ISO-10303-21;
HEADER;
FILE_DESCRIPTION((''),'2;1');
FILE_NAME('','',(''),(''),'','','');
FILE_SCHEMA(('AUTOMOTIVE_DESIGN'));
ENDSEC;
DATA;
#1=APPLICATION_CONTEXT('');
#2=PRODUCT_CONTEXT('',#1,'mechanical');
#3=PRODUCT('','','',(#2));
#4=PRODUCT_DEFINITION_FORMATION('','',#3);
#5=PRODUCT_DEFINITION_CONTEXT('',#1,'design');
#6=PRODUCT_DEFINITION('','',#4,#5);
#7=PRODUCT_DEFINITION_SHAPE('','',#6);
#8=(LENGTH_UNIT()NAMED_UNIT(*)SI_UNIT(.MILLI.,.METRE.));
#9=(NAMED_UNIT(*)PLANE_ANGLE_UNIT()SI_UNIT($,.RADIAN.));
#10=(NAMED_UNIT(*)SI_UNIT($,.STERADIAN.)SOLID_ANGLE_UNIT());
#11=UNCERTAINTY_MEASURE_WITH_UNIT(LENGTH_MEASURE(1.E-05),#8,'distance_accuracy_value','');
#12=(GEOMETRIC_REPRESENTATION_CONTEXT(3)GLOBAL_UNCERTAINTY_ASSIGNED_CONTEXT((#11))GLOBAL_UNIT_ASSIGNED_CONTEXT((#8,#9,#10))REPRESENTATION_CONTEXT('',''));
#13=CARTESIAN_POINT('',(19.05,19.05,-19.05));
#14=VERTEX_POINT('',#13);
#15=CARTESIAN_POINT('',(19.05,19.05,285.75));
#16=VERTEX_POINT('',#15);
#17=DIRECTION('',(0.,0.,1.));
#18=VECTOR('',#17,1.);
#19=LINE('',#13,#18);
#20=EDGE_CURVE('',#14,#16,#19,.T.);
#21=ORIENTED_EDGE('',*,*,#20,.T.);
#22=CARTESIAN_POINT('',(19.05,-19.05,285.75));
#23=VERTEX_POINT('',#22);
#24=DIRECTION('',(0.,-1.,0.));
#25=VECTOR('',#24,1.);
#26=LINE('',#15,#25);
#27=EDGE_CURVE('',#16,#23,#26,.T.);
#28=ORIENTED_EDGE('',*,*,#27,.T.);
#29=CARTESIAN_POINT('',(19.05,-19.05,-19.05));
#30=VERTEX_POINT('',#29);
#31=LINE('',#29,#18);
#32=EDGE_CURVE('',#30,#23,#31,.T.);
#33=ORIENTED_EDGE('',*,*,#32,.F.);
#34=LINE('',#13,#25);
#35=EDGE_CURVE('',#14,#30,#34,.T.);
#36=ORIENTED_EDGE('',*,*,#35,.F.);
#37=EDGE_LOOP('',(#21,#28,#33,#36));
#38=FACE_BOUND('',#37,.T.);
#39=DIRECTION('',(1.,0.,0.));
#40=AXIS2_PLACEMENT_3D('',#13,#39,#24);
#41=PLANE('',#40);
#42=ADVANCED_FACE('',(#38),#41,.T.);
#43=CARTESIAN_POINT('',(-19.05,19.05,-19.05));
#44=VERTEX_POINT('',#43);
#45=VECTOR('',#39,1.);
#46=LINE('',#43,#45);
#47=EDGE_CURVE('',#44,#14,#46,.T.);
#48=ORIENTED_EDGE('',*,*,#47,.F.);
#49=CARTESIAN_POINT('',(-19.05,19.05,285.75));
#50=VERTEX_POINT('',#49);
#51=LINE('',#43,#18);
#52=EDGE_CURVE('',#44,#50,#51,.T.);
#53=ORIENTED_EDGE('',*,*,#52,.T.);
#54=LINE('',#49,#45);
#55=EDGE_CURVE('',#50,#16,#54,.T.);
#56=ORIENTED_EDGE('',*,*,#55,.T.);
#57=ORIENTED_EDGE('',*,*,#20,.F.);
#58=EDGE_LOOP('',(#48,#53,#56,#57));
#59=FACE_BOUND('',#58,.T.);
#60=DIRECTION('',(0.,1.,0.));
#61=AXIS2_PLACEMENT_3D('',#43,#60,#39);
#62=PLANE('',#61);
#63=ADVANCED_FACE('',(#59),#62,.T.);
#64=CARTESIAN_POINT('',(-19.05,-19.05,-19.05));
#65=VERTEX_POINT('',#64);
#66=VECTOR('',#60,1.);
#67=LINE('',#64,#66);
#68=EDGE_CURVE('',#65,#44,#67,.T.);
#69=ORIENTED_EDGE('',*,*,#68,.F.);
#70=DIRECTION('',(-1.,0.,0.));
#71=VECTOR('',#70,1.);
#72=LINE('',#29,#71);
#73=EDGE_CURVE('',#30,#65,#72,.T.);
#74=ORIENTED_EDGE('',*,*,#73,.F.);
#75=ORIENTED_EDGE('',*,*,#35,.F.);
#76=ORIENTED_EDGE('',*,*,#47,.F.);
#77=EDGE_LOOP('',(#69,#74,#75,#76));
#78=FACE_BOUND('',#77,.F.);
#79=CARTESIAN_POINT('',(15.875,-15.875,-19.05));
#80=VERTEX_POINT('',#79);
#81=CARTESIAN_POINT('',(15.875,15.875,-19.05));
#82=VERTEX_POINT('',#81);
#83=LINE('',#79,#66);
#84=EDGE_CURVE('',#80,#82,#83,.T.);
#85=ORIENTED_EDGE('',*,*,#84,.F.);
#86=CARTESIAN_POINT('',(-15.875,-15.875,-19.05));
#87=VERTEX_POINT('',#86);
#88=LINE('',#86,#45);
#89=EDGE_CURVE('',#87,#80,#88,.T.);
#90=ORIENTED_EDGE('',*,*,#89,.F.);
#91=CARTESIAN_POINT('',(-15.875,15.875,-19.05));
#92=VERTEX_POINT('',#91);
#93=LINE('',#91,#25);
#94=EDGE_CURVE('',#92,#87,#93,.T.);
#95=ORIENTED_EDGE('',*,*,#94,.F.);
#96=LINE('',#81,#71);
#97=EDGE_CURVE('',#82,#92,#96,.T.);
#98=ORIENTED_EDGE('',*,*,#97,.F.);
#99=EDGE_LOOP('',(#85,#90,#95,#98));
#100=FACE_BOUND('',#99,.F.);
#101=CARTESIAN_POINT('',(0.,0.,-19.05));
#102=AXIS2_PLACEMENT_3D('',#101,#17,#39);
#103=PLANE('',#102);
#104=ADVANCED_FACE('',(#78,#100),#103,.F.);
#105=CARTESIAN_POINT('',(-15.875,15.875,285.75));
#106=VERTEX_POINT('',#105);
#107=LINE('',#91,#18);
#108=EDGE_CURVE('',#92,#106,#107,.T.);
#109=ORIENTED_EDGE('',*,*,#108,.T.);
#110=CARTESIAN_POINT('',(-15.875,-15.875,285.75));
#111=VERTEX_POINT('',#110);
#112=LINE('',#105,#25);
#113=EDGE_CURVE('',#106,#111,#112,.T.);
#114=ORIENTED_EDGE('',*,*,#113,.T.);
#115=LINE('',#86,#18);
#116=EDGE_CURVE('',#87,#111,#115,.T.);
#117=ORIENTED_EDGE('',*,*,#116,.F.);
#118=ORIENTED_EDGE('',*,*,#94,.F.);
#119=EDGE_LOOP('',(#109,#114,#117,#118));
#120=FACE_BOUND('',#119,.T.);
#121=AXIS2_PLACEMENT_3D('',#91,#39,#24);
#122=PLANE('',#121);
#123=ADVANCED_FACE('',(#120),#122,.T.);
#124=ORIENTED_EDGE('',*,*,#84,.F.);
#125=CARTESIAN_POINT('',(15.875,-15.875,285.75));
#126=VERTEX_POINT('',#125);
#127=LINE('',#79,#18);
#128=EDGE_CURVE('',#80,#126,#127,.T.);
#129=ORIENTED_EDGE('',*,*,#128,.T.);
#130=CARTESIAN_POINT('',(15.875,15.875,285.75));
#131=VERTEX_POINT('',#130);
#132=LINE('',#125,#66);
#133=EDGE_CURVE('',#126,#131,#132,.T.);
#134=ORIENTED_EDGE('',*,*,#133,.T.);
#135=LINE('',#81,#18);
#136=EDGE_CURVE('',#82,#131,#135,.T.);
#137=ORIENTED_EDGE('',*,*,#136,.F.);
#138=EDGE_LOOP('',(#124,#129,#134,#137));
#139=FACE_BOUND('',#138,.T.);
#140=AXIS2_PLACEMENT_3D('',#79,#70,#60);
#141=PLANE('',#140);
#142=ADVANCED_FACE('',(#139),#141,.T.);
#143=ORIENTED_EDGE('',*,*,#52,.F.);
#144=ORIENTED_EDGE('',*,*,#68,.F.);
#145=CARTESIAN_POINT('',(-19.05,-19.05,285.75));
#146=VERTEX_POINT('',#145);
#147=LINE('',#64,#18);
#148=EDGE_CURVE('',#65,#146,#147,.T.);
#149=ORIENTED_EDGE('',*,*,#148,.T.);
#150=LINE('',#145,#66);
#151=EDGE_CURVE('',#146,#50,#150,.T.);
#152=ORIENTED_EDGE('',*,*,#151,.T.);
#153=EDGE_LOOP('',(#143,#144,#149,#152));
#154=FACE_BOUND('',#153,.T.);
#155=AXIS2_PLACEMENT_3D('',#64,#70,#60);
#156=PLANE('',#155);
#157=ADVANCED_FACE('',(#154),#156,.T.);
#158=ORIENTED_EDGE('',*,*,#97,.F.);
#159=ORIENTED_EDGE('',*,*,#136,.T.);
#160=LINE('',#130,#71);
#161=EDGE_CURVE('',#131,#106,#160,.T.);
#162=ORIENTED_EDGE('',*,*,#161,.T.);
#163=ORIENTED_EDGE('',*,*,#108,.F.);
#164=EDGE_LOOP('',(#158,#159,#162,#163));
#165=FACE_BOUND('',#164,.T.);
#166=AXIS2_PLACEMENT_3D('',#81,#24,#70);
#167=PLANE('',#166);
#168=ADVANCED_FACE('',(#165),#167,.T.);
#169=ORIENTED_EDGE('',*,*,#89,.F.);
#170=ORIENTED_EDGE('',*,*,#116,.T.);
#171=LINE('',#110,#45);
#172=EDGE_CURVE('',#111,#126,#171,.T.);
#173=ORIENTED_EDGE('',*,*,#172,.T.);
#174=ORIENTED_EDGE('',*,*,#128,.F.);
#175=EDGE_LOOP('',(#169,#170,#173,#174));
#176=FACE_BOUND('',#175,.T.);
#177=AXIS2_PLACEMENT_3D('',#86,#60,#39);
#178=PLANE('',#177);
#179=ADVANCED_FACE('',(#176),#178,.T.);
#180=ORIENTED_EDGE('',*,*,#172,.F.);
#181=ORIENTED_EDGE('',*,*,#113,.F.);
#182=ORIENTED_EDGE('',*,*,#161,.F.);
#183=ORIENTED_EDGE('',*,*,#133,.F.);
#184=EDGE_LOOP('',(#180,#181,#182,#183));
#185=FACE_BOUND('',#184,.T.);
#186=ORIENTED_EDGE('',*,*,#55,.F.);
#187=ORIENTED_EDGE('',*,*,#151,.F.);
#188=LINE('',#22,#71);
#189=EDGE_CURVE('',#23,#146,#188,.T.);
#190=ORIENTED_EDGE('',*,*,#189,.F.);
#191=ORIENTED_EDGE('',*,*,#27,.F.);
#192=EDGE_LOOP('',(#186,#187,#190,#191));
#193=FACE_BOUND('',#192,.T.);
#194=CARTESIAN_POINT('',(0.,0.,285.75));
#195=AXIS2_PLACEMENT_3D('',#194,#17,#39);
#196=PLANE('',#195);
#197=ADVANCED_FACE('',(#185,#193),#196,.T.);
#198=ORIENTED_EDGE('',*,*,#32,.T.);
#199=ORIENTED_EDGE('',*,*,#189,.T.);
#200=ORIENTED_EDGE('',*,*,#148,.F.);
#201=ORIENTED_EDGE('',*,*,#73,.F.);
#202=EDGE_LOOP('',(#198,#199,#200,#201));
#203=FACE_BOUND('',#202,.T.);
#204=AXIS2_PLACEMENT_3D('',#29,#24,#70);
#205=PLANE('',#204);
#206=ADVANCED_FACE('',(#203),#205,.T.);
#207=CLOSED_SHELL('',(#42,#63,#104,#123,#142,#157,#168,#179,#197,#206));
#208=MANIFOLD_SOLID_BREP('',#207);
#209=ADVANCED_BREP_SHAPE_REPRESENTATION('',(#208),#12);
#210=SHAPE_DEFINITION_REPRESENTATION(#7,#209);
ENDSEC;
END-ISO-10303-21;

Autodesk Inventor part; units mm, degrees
ref_plane "Start Plane" through (0, 0, -19.05) normal (0, 0, 1) x (1, 0, 0)
ref_plane "End Plane" through (0, 0, 285.75) normal (0, 0, 1) x (1, 0, 0)
sketch "Sketch" plane through (0, 0, 0) normal (0, 0, 1) x (1, 0, 0)
  line L0 (-19.05, 19.05) -> (19.05, 19.05)
  line L1 (19.05, 19.05) -> (19.05, -19.05)
  line L2 (19.05, -19.05) -> (-19.05, -19.05)
  line L3 (-19.05, -19.05) -> (-19.05, 19.05)
  line L4 (15.875, 15.875) -> (-15.875, 15.875)
  line L5 (-15.875, 15.875) -> (-15.875, -15.875)
  line L6 (-15.875, -15.875) -> (15.875, -15.875)
  line L7 (15.875, -15.875) -> (15.875, 15.875)
  point P0 (0, 0)
  point P1 (0, 19.05)
  point P2 (-19.05, 0)
  dimension "width" = 38.1
  dimension "d1" = 3.175
extrude "Body" add sketch "Sketch" along normal up to surface (304.8 mm away) from surface at -19.05
sketch "Sketch4" plane through (0, 0, 0) normal (0, 0, 1) x (1, 0, 0)
  line L0 (0, 0) -> (10, 0)
ref_plane "Work Plane4" through (0, 0, 0) normal (0, -1, 0) x (1, 0, 0)
sketch "Sketch5" plane through (0, 0, 0) normal (0, -1, 0) x (1, 0, 0)
  line L0 (-2, -19.05) -> (12, -19.05)
  line L1 (-2, 285.75) -> (12, 285.75)
  dimension "d9" = 304.8
ref_plane "Work Plane5" through (-723.9, 19.05, -19.05) normal (0, 0, -1) x (-1, 0, 0)
split "Split1" plane through (-723.9, 19.05, -19.05) removes the side toward (0, 0, -1)
ref_plane "Work Plane6" through (0, -19.05, 285.75) normal (0, 0, 1) x (1, 0, 0)
split "Split2" plane through (0, -19.05, 285.75) removes the side toward (0, 0, 1)
equation "\"G_OFFSET_START\" = 19.05"
equation "\"G_OFFSET_END\" = -19.05"
equation "\"d4\" = -G_OFFSET_START"
equation "\"d5\" = length + G_OFFSET_END"
equation "\"G_L\" = 304.8"
equation "\"length\" = 304.8"
properties part number "1.5x1.5x.125 Tube" material "Aluminum-6061"
